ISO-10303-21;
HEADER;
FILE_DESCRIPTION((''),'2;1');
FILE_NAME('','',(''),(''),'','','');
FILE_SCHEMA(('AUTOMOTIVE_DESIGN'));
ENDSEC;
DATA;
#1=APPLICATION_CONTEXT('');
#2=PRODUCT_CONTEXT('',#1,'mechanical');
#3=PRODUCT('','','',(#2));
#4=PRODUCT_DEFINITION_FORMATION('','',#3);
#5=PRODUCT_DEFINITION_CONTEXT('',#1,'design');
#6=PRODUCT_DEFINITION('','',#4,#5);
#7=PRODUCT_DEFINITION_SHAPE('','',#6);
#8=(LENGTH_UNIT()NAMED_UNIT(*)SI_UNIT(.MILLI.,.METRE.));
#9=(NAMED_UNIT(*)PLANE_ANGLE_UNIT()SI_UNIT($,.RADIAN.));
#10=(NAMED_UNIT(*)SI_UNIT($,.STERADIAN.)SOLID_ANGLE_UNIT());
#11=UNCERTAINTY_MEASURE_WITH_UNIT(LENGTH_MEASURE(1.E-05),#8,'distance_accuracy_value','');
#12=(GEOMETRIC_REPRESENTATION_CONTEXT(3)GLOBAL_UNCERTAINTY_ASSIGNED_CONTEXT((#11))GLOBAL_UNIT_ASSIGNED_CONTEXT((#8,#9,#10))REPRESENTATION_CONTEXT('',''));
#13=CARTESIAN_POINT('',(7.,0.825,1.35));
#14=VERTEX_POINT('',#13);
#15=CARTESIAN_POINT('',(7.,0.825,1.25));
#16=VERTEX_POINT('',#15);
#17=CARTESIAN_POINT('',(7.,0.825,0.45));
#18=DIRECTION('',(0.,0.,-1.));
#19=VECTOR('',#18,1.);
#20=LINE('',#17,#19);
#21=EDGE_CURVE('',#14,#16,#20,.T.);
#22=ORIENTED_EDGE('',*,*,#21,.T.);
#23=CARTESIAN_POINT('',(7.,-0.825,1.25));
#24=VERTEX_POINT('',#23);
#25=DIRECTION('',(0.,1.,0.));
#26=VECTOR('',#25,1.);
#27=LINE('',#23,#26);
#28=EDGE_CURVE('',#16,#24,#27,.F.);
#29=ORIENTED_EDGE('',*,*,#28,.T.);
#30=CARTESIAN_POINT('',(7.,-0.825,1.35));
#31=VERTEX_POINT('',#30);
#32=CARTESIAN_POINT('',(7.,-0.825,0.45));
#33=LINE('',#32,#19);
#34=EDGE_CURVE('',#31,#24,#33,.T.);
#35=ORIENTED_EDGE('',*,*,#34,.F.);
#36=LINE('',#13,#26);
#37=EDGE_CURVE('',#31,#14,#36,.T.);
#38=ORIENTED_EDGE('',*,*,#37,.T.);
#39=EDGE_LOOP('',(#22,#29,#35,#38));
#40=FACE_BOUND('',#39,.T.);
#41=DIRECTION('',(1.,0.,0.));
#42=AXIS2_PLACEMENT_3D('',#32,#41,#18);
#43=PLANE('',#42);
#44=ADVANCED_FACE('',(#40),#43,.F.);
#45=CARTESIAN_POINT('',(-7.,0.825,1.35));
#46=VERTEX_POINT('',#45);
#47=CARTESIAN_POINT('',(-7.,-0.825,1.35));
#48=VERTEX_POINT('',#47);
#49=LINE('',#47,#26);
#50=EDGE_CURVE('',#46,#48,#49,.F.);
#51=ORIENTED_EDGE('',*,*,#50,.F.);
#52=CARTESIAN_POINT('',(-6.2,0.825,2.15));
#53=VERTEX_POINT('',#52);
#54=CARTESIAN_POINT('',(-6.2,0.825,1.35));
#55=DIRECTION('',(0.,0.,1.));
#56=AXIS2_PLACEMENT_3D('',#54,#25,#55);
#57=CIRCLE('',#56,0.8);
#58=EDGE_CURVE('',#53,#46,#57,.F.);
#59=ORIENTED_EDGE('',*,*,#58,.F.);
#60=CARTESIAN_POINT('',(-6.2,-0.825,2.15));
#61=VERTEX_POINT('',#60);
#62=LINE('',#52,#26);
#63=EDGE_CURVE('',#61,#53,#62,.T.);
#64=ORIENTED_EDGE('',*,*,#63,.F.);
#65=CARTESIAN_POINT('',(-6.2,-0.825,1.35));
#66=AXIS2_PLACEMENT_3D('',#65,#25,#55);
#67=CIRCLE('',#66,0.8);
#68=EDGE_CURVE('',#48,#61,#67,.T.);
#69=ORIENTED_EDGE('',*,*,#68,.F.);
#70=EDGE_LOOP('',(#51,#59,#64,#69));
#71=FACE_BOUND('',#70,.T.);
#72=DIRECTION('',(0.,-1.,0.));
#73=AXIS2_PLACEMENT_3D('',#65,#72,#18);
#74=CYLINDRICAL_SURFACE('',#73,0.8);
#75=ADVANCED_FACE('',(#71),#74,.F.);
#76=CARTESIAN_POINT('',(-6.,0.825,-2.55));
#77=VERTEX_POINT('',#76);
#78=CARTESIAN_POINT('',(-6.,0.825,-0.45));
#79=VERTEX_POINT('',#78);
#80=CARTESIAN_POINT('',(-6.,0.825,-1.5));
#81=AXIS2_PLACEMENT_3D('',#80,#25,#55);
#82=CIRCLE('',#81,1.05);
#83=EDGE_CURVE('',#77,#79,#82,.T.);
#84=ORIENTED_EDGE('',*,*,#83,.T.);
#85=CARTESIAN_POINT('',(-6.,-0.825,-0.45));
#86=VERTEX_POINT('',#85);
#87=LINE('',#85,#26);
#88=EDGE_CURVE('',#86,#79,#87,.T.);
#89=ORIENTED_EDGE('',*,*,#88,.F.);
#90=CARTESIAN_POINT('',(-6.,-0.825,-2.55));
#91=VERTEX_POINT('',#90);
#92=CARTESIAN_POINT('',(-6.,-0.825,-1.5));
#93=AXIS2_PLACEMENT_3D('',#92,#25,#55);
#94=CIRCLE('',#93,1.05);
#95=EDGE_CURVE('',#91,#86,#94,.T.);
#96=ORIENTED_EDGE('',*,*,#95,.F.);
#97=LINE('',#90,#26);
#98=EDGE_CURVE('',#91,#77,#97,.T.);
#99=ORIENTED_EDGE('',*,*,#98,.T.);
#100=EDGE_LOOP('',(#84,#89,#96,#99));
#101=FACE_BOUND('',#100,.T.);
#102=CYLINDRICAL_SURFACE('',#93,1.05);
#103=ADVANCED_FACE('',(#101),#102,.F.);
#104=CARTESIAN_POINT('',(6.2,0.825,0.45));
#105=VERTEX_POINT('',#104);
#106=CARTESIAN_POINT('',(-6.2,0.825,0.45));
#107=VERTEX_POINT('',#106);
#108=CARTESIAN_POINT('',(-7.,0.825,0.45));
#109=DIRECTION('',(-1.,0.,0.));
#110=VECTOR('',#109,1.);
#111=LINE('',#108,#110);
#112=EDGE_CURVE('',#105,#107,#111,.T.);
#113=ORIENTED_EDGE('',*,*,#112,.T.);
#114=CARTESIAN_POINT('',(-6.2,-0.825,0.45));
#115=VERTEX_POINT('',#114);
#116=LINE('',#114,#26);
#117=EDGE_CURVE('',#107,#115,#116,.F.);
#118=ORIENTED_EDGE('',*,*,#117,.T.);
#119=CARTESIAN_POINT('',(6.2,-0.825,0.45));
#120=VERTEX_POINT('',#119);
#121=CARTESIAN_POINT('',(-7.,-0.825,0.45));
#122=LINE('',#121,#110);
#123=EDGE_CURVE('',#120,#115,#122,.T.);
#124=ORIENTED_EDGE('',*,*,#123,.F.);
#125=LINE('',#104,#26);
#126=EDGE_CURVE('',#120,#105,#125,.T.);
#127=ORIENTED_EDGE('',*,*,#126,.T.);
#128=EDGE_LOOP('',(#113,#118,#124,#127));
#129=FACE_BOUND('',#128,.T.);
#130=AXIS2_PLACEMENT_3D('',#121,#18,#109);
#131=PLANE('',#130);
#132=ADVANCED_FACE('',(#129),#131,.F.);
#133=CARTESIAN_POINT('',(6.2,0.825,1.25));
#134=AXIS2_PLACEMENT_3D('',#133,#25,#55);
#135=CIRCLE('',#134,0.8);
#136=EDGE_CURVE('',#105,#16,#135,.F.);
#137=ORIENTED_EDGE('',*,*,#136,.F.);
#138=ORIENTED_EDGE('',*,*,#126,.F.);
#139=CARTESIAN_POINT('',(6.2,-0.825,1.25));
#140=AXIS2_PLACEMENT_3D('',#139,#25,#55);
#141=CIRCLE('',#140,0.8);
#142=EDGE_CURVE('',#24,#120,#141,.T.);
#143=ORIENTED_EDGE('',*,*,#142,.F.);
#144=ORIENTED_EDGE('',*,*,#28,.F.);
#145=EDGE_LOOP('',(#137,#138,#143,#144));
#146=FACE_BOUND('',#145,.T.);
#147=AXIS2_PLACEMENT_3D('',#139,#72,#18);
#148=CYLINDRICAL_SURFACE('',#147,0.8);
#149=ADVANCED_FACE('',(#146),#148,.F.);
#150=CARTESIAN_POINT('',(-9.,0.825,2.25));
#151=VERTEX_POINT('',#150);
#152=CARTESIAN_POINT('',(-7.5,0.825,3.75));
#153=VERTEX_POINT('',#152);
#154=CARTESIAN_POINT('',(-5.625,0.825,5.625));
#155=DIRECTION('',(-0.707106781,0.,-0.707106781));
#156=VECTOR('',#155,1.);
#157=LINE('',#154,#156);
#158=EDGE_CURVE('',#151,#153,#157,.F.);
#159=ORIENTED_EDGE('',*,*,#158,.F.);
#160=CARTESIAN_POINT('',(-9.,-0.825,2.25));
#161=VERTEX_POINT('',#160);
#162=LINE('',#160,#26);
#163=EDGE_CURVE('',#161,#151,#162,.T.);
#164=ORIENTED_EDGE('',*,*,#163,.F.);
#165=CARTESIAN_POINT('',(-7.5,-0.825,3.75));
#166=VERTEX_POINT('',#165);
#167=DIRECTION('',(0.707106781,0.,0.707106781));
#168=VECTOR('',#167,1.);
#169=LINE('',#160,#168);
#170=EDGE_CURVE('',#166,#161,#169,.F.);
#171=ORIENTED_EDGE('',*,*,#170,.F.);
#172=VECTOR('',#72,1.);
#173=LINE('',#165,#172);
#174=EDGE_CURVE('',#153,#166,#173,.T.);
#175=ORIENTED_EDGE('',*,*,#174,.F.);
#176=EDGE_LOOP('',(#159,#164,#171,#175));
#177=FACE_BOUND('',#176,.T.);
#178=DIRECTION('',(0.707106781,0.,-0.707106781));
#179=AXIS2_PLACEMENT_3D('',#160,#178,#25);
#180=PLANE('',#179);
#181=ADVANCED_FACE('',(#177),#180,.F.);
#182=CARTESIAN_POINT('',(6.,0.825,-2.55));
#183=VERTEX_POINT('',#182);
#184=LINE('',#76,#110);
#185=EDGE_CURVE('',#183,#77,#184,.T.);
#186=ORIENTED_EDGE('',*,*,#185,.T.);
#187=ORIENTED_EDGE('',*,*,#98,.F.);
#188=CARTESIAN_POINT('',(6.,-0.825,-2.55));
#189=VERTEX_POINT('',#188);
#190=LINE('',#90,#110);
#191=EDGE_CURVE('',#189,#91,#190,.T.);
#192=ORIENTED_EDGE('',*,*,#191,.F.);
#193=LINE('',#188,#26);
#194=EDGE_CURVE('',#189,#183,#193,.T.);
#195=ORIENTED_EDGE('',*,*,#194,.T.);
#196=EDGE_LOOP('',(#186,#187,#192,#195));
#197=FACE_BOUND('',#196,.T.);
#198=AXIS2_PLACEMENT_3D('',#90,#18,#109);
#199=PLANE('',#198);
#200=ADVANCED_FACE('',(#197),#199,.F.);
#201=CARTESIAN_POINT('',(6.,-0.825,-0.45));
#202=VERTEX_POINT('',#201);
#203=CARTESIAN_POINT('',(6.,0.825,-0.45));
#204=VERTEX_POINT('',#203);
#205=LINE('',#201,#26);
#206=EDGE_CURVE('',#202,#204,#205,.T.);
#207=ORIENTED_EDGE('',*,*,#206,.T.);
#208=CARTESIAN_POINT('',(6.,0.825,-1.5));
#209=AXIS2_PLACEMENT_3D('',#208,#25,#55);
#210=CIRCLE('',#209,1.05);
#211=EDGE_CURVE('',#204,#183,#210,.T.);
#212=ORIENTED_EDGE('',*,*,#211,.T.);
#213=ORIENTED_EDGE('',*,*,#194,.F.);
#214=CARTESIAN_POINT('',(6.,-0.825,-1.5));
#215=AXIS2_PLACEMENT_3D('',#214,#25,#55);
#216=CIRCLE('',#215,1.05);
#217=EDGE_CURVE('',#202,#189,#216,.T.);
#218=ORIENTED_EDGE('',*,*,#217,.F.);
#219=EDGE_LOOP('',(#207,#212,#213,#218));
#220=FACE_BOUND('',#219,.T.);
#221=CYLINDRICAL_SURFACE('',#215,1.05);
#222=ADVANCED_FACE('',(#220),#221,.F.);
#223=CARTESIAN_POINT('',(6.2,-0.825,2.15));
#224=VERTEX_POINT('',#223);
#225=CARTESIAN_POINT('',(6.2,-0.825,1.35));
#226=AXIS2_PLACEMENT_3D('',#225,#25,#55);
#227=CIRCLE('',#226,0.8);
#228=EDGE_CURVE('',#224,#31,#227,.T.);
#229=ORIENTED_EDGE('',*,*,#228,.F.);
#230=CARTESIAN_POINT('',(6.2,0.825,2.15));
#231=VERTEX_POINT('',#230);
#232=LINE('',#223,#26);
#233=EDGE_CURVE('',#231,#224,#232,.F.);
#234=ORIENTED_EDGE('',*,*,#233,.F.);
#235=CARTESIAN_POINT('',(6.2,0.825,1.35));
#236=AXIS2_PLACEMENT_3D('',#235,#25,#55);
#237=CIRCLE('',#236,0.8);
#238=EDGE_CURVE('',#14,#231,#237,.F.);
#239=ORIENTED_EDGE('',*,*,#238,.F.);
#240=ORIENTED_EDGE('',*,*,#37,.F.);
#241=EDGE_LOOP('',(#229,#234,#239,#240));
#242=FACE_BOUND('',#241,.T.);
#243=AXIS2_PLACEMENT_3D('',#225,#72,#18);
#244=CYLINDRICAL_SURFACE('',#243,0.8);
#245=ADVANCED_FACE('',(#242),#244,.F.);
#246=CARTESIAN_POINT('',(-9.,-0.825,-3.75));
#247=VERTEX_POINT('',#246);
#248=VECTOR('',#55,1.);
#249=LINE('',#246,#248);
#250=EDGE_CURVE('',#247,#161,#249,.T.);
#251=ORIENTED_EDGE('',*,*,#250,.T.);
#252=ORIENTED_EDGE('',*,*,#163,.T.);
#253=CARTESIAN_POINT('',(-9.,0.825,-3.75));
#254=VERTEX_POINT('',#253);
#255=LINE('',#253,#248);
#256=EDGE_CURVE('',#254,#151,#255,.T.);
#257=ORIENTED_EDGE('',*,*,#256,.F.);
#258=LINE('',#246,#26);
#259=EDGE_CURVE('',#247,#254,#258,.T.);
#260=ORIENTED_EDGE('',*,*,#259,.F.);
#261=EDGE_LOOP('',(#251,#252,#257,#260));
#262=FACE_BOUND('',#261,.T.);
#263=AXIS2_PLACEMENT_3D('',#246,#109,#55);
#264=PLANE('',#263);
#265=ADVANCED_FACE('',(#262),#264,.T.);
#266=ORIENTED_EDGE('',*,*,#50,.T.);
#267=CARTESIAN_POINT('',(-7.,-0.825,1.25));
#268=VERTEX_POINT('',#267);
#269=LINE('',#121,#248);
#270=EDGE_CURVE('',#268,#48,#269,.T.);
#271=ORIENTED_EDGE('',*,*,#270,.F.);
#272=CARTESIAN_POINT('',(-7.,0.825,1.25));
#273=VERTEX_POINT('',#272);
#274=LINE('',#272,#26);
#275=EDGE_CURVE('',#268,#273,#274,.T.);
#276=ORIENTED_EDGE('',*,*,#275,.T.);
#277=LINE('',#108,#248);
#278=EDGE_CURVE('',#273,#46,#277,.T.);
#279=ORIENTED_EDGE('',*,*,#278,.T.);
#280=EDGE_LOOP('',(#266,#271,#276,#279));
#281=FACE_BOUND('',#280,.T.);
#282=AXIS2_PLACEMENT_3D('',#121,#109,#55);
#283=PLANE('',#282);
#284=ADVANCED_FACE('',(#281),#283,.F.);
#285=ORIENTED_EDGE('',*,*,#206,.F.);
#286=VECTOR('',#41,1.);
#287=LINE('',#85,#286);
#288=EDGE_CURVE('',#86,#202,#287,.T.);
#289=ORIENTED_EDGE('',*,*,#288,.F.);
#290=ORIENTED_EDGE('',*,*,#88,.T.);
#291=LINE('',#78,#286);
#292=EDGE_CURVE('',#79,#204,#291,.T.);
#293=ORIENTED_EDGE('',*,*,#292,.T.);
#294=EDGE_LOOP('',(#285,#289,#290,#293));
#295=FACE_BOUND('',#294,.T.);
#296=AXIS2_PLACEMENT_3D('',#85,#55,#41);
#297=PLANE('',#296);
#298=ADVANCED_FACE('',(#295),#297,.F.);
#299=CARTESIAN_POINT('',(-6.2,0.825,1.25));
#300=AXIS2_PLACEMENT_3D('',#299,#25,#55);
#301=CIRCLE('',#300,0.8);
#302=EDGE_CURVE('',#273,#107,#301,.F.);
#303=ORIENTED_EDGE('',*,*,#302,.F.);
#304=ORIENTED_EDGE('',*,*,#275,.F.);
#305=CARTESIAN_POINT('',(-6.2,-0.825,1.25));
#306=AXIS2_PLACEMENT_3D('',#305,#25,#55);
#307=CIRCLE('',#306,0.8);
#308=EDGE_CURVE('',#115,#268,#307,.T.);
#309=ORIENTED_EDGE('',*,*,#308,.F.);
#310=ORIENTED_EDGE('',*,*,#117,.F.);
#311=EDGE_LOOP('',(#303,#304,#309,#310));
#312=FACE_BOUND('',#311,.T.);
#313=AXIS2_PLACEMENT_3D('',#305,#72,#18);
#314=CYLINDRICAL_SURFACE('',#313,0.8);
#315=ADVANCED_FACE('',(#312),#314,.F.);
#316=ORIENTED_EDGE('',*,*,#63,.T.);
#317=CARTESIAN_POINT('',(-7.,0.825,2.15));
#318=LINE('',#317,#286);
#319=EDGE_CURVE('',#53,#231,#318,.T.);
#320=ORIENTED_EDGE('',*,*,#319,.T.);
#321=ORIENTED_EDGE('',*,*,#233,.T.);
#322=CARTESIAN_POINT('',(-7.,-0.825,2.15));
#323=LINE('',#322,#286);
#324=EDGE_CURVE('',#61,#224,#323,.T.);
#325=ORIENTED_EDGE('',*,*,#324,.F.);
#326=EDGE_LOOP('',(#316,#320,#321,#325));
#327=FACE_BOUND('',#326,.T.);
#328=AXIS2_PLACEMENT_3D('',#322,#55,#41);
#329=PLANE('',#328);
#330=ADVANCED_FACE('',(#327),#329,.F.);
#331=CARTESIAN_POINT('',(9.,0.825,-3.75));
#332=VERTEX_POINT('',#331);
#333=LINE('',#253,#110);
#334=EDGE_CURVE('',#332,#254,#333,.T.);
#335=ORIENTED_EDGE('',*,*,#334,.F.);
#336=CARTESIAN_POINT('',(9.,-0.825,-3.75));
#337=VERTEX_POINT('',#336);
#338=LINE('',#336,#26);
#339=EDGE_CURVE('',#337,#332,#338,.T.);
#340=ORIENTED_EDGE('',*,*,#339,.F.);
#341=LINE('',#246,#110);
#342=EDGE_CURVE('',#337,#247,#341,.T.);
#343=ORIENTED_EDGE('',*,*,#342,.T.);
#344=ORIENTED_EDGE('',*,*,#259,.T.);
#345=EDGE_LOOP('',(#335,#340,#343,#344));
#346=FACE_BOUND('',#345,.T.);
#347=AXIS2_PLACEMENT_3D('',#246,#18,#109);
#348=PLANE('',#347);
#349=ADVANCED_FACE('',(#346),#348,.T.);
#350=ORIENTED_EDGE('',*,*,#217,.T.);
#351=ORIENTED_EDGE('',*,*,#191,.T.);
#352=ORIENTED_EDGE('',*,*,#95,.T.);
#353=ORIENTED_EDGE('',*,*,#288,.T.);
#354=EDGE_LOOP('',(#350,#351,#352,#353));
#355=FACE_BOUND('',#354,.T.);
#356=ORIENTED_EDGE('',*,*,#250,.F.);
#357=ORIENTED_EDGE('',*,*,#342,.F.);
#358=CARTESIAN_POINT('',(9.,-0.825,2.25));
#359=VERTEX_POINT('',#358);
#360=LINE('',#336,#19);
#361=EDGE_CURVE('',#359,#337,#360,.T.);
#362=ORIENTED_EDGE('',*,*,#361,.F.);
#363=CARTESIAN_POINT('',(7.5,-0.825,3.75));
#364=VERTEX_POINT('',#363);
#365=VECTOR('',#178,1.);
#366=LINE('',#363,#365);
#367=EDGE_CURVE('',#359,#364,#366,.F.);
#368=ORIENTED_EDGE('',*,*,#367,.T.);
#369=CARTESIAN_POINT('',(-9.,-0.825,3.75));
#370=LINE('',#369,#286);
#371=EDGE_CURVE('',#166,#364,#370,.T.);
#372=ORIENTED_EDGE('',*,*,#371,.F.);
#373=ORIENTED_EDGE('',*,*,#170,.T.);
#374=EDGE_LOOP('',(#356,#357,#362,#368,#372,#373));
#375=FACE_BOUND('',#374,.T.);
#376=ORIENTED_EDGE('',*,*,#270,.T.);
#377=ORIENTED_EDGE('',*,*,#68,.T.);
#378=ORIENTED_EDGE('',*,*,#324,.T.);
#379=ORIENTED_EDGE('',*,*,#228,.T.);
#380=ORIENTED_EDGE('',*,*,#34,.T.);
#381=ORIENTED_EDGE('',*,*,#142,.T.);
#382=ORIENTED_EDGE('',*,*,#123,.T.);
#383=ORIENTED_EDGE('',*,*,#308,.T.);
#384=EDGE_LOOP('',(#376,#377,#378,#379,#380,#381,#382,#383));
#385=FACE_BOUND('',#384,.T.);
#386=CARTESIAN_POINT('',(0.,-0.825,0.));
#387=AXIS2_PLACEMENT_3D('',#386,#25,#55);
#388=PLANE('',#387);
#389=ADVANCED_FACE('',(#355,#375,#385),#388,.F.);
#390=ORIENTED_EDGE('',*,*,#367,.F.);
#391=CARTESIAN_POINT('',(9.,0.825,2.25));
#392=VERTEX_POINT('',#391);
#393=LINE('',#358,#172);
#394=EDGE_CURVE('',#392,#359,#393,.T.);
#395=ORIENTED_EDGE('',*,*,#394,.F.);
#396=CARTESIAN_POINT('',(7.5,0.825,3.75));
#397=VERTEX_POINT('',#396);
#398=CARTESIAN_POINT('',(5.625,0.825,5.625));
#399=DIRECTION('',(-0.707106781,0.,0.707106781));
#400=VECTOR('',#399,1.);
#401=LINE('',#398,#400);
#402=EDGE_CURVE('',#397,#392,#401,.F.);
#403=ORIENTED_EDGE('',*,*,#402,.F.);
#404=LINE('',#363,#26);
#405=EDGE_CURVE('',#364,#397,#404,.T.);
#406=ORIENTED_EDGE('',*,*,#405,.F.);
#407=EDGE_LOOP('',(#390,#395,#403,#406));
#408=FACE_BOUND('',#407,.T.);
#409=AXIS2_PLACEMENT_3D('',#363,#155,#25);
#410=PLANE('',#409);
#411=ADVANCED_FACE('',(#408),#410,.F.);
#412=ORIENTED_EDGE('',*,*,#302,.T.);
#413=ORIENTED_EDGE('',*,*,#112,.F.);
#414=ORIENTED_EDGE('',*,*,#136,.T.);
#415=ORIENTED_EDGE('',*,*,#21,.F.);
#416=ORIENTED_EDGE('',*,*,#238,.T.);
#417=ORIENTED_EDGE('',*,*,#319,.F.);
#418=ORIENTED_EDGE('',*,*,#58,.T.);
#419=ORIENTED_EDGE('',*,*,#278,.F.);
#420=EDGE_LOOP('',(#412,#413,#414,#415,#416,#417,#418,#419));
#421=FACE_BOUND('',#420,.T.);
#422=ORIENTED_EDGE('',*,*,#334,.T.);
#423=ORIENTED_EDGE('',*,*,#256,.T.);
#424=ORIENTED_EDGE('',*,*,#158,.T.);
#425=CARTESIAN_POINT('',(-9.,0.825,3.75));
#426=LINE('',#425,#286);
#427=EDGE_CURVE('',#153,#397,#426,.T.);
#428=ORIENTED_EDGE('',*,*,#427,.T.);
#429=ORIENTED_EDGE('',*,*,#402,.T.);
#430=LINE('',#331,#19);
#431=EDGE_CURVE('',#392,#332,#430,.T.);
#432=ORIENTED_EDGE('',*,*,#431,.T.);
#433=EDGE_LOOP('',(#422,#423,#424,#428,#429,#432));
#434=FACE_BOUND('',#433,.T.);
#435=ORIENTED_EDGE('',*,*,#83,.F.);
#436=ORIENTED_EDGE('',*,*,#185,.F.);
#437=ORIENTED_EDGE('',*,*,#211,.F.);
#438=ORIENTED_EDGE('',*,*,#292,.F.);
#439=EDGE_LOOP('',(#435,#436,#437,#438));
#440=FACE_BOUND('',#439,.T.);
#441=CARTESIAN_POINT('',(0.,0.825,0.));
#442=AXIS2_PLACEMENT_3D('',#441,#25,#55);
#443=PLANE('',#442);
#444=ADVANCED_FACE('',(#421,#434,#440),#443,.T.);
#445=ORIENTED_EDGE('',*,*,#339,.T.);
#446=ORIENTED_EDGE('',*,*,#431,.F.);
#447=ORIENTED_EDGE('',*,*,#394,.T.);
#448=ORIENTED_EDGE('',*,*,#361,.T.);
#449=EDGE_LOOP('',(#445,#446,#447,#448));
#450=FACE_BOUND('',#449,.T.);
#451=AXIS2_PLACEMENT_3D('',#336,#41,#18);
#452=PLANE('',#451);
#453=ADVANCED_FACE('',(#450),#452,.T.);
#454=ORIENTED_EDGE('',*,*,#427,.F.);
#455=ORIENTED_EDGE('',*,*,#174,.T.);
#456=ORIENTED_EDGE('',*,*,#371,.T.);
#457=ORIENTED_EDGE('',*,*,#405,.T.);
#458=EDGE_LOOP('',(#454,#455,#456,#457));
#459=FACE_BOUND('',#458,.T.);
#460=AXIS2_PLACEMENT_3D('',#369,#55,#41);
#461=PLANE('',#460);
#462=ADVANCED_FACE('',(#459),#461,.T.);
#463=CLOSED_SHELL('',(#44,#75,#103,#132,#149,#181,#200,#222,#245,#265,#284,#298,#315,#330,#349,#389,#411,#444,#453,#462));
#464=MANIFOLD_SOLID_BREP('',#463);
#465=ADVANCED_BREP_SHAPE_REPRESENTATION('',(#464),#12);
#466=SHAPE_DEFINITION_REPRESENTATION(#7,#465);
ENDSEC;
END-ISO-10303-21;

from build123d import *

# Parameters (mm, degrees)
SKIZZE1_W                       = 18
SKIZZE1_H                       = 7.5
SKIZZE1_W_2                     = 14
SKIZZE1_H_2                     = 1.7
AUFSATZ_LINEAR_AUSTRAGEN1_DEPTH = 0.825
VERRUNDUNG1_R                   = 0.8
FASE1_SIZE                      = 1.5


with BuildPart() as part:
    # Skizze1 → Aufsatz-Linear austragen1 (new body, symmetric)
    with BuildSketch(Plane(origin=(0, 0, 0), x_dir=(1, 0, 0), z_dir=(0, 1, 0))):
        Rectangle(SKIZZE1_W, SKIZZE1_H)
        with Locations((0, -1.3)):
            Rectangle(SKIZZE1_W_2, SKIZZE1_H_2, mode=Mode.SUBTRACT)
        with BuildLine():
            Line((-6, 2.55), (6, 2.55))
            ThreePointArc((6, 2.55), (7.05, 1.5), (6, 0.45))
            Line((6, 0.45), (-6, 0.45))
            ThreePointArc((-6, 0.45), (-7.05, 1.5), (-6, 2.55))
        make_face(mode=Mode.SUBTRACT)
    extrude(amount=AUFSATZ_LINEAR_AUSTRAGEN1_DEPTH, both=True)

    # Verrundung1
    verrundung1_edges = [part.edges().sort_by_distance(p)[0] for p in [
        (-7, 0, 2.15),
        (-7, 0, 0.45),
        (7, 0, 0.45),
        (7, 0, 2.15),
    ]]
    fillet(verrundung1_edges, radius=VERRUNDUNG1_R)

    # Fase1
    fase1_edges = [part.edges().sort_by_distance(p)[0] for p in [
        (9, 0, 3.75),
        (-9, 0, 3.75),
    ]]
    chamfer(fase1_edges, length=FASE1_SIZE)


solid = part.part
